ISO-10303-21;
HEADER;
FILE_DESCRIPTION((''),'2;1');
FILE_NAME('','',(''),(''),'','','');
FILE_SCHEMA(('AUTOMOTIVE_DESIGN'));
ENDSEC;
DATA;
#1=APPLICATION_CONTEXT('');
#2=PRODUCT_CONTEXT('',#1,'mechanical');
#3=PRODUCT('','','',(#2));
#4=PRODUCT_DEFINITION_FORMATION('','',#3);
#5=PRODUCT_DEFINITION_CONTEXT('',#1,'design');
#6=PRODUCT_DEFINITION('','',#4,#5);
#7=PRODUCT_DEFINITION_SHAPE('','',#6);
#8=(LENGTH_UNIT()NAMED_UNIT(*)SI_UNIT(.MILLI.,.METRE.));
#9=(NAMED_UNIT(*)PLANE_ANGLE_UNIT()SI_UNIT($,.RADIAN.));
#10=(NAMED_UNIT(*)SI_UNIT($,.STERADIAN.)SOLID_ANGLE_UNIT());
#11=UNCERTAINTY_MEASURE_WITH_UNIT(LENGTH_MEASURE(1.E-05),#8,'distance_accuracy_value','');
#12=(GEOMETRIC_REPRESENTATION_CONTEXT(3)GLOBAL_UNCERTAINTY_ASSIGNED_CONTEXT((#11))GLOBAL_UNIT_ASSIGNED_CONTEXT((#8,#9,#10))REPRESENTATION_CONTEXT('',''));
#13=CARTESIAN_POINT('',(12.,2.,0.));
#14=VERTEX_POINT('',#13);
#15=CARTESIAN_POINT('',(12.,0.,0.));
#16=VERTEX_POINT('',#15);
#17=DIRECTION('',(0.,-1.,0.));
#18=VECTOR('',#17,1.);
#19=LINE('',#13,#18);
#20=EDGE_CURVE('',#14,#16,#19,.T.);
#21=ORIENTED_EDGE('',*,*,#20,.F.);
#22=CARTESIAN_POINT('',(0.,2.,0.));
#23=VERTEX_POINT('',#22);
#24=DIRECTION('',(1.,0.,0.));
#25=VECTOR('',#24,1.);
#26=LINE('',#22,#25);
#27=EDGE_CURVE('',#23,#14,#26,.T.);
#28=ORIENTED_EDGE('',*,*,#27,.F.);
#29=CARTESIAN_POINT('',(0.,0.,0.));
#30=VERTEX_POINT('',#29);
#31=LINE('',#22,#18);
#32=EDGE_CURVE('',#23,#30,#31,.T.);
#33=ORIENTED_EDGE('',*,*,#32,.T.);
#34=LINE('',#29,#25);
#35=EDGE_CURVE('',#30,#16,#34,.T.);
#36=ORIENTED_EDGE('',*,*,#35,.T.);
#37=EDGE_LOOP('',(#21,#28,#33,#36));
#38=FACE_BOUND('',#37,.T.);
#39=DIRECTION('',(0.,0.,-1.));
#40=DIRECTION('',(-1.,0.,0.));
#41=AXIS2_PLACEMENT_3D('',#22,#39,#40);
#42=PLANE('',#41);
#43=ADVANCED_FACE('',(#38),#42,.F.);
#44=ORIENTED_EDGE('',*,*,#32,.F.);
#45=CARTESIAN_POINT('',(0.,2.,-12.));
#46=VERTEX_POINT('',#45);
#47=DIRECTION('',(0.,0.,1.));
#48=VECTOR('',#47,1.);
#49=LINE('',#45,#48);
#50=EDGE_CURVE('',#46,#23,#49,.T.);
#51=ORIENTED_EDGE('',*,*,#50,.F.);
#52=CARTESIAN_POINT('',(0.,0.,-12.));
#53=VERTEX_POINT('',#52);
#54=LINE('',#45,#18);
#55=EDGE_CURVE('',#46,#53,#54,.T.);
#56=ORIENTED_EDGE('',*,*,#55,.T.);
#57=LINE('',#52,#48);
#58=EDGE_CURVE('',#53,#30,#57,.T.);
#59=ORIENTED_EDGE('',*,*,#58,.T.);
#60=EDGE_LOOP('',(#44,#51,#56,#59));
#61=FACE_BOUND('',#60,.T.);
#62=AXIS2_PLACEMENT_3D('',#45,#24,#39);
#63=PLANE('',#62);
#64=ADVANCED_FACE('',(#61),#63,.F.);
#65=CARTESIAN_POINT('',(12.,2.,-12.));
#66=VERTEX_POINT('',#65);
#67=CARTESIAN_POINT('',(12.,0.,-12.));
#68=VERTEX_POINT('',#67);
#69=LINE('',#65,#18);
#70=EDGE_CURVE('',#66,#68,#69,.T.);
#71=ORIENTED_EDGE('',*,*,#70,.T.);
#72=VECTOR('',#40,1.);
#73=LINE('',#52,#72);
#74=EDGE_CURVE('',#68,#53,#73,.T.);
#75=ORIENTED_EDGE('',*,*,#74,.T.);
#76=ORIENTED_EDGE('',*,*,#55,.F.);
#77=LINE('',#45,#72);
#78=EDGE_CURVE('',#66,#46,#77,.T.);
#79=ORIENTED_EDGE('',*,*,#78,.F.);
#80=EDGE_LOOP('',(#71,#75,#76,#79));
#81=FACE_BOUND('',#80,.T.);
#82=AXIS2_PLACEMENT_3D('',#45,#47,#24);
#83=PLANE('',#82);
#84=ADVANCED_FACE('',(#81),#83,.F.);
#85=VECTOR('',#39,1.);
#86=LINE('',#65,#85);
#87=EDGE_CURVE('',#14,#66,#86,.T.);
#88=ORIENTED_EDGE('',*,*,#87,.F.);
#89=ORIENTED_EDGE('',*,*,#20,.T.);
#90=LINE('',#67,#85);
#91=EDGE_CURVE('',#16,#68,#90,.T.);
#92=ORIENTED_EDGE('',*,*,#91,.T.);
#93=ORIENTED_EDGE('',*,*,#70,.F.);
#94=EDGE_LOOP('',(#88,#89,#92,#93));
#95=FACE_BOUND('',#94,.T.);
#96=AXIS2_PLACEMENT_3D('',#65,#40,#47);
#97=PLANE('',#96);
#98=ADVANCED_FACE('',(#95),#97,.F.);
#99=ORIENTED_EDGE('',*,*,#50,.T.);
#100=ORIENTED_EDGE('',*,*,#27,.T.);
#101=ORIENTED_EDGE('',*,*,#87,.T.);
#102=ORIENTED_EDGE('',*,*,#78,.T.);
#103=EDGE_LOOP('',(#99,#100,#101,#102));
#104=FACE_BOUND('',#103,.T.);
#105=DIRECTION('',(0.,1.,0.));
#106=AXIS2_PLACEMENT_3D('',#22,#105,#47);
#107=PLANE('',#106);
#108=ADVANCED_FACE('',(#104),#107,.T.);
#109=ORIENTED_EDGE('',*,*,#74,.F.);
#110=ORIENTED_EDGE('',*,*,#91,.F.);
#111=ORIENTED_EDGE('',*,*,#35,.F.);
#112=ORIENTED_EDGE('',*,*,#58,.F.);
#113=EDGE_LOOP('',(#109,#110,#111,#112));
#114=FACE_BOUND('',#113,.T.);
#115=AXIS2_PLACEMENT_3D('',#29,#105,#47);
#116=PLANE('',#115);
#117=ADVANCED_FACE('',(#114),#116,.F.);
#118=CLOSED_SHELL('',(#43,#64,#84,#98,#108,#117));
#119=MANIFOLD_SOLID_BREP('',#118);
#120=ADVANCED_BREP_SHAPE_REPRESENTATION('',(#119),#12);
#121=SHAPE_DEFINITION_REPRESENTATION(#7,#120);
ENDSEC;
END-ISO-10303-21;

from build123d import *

# Parameters (mm, degrees)
SKETCH1_W           = 12
SKETCH1_H           = 12
BOSS_EXTRUDE1_DEPTH = 2


with BuildPart() as part:
    # Sketch1 → Boss-Extrude1 (new body)
    with BuildSketch(Plane(origin=(0, 0, 0), x_dir=(1, 0, 0), z_dir=(0, 1, 0))):
        with Locations((6, 6)):
            Rectangle(SKETCH1_W, SKETCH1_H)
    extrude(amount=BOSS_EXTRUDE1_DEPTH)


solid = part.part
